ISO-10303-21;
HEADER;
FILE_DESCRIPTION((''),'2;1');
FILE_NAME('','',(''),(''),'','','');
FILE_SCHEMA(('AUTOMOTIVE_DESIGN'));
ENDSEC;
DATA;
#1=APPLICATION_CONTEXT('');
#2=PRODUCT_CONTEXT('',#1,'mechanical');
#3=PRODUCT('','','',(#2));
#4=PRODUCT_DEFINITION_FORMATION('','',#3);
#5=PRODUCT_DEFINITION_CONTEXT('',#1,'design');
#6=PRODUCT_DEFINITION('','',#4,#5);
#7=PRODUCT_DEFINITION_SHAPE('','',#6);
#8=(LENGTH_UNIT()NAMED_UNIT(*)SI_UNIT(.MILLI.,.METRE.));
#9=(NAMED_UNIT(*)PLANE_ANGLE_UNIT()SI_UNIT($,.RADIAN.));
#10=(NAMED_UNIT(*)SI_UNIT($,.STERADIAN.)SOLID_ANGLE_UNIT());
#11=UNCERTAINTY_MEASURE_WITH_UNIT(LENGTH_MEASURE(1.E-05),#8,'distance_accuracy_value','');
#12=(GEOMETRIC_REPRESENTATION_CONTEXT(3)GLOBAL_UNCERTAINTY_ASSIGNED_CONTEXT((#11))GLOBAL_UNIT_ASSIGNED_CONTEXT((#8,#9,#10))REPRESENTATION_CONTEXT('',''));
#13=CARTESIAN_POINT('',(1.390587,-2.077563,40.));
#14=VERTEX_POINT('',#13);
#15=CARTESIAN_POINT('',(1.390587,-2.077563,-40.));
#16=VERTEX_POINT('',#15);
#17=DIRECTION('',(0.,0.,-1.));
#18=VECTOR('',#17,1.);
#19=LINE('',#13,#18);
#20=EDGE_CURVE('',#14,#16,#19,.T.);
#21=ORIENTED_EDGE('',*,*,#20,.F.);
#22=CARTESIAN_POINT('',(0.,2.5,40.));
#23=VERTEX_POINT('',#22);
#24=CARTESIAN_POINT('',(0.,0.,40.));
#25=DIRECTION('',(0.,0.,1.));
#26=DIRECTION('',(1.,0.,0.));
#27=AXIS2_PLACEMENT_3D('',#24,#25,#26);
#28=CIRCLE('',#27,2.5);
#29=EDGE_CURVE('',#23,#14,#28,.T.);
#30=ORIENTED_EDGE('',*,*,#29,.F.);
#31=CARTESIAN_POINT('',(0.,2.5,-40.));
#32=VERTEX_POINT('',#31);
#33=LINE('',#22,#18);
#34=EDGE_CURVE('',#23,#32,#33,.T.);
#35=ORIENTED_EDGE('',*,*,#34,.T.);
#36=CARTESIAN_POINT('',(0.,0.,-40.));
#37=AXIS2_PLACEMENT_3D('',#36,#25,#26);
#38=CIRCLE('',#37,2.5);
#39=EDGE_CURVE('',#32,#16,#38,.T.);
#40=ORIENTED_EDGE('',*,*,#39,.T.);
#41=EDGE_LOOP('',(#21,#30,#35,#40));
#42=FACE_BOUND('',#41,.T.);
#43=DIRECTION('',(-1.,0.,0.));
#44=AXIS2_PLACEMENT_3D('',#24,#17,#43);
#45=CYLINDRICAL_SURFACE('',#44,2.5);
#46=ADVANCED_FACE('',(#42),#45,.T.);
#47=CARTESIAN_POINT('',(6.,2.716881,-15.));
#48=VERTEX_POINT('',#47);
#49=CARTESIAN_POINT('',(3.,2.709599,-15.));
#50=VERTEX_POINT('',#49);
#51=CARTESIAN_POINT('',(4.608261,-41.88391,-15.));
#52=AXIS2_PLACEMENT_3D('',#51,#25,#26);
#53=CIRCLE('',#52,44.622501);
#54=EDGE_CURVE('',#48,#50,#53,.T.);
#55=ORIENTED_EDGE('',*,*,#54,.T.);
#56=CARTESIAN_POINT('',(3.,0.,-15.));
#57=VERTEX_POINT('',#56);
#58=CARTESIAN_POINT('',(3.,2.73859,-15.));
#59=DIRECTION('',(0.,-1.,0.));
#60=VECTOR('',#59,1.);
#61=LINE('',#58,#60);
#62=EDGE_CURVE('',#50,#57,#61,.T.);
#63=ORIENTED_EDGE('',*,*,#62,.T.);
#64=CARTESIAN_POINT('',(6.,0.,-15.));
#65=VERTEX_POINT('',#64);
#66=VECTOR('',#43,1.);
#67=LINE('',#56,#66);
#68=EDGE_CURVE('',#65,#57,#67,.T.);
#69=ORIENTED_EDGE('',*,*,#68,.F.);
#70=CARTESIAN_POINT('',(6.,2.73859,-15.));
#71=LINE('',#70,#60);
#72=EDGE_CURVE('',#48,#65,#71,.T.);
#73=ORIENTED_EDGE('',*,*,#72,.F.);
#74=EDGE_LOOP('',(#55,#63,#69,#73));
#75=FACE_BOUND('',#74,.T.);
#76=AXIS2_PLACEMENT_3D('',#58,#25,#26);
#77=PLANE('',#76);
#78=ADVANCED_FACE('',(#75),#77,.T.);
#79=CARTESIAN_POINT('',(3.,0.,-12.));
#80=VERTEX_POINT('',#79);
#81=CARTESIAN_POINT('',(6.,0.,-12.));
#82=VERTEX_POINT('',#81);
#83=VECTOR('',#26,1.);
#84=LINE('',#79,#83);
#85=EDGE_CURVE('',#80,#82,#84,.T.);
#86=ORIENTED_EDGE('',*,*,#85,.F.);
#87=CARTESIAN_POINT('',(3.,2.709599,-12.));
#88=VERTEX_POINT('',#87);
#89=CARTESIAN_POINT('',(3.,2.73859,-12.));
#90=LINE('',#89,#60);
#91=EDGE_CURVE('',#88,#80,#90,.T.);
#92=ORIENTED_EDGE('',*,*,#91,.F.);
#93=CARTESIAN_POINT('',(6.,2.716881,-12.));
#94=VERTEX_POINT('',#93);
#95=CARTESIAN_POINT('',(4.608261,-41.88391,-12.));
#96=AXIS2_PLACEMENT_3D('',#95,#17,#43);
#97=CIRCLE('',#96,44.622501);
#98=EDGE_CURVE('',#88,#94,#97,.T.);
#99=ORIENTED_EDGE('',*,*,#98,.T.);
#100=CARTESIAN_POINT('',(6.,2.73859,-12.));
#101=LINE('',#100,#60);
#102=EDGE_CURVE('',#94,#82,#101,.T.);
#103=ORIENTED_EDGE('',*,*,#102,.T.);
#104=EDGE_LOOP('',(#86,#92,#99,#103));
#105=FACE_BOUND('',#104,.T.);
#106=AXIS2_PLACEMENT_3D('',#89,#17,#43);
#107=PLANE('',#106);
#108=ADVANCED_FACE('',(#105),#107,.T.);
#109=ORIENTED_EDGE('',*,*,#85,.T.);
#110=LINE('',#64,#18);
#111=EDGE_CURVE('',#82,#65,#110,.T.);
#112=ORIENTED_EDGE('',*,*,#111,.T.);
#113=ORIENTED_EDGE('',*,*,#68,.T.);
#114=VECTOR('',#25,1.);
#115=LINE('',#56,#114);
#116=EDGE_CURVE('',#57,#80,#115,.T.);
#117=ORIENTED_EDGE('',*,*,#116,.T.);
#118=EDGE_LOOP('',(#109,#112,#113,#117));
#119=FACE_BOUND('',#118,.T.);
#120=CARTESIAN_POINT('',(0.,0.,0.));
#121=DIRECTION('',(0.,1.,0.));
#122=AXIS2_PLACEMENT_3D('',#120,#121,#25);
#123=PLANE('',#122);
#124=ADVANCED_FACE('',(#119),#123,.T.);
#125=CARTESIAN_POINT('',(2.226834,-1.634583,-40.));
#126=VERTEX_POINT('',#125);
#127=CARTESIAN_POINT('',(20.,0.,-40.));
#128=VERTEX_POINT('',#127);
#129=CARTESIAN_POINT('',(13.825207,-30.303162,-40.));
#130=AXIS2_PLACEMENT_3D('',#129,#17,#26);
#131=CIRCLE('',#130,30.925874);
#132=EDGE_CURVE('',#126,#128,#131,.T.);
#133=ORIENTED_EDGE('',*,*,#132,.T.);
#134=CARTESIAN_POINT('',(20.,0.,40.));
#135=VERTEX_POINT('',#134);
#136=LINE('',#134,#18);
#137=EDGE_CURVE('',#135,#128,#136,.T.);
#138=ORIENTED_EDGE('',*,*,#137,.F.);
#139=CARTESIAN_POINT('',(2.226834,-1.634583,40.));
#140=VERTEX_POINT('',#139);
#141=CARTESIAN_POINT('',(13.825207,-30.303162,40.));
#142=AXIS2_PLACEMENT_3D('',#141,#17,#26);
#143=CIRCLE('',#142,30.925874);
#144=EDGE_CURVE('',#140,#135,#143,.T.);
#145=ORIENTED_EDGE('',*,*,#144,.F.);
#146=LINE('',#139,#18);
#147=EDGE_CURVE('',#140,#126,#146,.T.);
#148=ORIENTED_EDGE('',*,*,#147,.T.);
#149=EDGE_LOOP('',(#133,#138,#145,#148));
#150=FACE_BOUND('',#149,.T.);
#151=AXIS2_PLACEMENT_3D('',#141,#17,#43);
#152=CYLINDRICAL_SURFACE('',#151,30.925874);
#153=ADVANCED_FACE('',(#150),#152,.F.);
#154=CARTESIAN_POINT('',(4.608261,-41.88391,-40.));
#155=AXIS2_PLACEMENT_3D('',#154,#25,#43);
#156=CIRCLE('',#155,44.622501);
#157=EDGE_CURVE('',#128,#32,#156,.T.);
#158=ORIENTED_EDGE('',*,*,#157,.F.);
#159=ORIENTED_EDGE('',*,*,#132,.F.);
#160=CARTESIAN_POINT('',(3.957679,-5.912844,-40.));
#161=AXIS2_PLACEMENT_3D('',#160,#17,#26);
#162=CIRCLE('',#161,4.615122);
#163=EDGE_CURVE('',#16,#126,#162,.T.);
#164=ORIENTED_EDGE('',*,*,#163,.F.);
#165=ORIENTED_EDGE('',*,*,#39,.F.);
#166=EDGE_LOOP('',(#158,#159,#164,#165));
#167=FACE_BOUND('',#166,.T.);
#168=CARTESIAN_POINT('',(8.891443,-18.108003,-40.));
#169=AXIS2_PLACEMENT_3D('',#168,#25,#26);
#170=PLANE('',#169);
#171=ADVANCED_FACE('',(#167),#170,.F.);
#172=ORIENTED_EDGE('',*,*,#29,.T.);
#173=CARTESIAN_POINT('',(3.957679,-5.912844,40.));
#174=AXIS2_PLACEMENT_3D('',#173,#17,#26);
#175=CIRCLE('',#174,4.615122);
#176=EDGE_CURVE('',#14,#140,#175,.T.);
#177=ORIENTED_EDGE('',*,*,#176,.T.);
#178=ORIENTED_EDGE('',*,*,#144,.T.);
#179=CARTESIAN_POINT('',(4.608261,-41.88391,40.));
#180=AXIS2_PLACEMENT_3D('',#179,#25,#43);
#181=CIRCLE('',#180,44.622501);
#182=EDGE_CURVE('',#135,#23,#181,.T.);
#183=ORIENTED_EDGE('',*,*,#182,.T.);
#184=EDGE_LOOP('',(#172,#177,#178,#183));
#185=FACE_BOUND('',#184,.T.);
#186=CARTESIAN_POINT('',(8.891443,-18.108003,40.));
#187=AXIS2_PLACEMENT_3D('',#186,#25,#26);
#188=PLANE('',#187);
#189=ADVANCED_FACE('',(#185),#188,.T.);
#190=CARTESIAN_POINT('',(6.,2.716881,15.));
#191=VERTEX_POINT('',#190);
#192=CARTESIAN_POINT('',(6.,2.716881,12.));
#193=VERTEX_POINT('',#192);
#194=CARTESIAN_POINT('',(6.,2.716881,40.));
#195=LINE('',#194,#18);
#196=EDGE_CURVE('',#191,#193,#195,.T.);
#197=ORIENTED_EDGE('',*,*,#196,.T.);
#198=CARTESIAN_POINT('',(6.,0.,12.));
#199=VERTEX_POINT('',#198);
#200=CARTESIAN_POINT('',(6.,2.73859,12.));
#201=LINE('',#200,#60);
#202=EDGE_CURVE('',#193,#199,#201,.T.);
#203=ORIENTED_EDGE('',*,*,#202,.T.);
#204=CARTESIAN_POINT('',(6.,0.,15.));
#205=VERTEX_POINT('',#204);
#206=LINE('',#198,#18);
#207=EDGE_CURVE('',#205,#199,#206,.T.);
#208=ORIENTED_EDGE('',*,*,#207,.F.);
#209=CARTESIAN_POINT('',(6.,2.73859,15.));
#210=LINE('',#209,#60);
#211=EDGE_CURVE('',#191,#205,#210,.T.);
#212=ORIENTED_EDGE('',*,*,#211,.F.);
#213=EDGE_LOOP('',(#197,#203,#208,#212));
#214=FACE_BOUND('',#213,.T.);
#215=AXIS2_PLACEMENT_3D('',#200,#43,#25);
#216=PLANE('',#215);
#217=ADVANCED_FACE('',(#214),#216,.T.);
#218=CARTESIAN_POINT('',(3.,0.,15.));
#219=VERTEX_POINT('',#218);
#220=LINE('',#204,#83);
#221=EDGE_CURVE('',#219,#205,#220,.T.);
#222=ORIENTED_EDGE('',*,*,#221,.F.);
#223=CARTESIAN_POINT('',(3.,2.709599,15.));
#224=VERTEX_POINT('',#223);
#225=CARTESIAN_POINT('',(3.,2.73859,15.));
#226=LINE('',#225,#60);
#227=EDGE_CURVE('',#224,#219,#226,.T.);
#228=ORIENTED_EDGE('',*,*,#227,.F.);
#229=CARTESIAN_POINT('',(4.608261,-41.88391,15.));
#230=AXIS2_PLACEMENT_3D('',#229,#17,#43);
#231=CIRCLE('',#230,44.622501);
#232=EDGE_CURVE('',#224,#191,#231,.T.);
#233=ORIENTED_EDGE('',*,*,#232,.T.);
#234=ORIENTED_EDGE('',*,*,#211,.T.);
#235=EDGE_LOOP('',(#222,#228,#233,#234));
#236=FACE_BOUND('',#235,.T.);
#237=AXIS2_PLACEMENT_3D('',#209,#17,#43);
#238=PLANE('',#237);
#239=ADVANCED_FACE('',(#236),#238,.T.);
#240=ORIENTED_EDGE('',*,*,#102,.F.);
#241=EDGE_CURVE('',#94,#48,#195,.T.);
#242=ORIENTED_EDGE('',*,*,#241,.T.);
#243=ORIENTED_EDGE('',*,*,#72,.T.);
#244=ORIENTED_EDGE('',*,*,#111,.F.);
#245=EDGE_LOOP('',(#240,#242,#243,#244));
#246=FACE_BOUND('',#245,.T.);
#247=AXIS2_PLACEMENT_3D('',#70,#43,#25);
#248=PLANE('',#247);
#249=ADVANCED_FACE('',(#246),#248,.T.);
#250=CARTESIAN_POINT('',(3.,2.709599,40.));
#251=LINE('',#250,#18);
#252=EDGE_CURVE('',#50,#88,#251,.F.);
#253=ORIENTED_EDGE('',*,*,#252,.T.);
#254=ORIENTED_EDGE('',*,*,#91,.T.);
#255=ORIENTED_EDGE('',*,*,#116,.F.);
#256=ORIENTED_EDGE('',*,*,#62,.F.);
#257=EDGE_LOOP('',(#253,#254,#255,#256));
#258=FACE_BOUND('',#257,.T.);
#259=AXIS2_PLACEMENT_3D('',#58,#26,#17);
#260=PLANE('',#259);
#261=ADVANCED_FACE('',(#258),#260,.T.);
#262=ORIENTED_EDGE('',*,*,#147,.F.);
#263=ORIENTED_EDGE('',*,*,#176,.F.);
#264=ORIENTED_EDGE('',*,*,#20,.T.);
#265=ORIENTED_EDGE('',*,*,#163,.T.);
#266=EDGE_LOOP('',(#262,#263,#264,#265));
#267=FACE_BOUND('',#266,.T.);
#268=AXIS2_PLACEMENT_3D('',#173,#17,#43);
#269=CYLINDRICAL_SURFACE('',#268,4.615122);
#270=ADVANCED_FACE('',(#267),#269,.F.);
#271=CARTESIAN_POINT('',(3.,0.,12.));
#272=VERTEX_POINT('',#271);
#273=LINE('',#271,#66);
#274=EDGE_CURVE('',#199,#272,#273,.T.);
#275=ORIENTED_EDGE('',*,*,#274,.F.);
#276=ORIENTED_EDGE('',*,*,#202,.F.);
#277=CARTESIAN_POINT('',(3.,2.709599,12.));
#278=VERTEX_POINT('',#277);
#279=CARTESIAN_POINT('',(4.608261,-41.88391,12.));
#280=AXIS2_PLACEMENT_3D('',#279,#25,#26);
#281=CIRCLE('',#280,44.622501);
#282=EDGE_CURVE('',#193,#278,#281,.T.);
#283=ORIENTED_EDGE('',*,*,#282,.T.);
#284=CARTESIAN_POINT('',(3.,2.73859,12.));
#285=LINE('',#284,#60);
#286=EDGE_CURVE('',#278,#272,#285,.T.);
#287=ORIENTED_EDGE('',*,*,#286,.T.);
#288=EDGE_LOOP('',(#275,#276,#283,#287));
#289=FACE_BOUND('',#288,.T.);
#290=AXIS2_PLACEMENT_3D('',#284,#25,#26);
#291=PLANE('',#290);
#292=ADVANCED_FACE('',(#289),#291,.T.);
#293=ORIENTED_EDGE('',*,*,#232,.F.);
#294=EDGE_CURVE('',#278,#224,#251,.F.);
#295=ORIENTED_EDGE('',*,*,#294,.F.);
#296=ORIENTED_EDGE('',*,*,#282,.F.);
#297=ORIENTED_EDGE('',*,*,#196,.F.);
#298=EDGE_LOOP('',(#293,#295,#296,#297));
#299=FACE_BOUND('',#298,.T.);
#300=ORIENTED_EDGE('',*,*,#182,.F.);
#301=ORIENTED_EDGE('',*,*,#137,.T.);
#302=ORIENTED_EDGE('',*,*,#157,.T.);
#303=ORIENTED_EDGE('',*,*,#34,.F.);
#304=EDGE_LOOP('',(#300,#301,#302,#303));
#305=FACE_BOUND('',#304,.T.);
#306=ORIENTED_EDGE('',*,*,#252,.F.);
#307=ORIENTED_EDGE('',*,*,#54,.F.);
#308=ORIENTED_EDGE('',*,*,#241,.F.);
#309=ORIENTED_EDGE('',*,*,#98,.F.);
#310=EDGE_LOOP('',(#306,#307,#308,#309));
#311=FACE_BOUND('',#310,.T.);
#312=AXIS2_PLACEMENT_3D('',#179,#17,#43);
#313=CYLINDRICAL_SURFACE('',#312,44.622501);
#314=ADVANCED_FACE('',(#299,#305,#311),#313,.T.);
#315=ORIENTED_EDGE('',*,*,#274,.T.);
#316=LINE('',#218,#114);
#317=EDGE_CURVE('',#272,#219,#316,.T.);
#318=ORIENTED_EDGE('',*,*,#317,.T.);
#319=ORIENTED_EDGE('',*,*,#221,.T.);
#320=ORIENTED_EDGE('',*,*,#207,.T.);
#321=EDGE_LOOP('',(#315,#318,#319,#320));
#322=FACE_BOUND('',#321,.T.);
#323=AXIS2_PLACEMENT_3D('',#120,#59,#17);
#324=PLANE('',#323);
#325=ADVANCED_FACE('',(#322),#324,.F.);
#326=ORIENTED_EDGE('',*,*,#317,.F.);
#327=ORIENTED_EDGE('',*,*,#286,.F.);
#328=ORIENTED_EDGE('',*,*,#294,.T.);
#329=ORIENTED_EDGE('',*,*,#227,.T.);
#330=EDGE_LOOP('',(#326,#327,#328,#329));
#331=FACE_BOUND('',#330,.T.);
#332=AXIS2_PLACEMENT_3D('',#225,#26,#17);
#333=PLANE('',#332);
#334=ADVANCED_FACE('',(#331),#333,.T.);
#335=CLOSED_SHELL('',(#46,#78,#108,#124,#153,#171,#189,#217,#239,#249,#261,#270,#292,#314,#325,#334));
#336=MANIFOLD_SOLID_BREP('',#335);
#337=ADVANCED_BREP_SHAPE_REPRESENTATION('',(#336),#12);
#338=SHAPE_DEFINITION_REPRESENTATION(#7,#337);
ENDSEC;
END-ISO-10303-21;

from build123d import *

# Parameters (mm, degrees)
BOSS_EXTRUDE2_DEPTH = 40
SKETCH3_W           = 3
SKETCH3_H           = 3
CUT_EXTRUDE2_DEPTH  = 45.805132264


with BuildPart() as part:
    # Sketch1 → Boss-Extrude2 (new, symmetric)
    with BuildSketch(Plane.XY):
        with BuildLine():
            ThreePointArc((0, 2.5), (-2.392060476, -0.726668205), (1.390587434, -2.077562656))
            ThreePointArc((1.390587434, -2.077562656), (1.797326731, -1.834582069), (2.226834249, -1.634582786))
            ThreePointArc((2.226834249, -1.634582786), (10.992934155, 0.492745515), (20, 0))
            ThreePointArc((20, 0), (10.143001238, 2.394009907), (0, 2.5))
        make_face()
    extrude(amount=BOSS_EXTRUDE2_DEPTH, both=True)

    # Sketch3 → Cut-Extrude2 (cut, through all)
    with BuildSketch(Plane(origin=(0, 0, 0), x_dir=(1, 0, 0), z_dir=(0, 1, 0))):
        with Locations((4.5, -13.5)):
            Rectangle(SKETCH3_W, SKETCH3_H)
        with Locations((4.5, 13.5)):
            Rectangle(SKETCH3_W, SKETCH3_H)
    extrude(amount=CUT_EXTRUDE2_DEPTH, mode=Mode.SUBTRACT)


solid = part.part
